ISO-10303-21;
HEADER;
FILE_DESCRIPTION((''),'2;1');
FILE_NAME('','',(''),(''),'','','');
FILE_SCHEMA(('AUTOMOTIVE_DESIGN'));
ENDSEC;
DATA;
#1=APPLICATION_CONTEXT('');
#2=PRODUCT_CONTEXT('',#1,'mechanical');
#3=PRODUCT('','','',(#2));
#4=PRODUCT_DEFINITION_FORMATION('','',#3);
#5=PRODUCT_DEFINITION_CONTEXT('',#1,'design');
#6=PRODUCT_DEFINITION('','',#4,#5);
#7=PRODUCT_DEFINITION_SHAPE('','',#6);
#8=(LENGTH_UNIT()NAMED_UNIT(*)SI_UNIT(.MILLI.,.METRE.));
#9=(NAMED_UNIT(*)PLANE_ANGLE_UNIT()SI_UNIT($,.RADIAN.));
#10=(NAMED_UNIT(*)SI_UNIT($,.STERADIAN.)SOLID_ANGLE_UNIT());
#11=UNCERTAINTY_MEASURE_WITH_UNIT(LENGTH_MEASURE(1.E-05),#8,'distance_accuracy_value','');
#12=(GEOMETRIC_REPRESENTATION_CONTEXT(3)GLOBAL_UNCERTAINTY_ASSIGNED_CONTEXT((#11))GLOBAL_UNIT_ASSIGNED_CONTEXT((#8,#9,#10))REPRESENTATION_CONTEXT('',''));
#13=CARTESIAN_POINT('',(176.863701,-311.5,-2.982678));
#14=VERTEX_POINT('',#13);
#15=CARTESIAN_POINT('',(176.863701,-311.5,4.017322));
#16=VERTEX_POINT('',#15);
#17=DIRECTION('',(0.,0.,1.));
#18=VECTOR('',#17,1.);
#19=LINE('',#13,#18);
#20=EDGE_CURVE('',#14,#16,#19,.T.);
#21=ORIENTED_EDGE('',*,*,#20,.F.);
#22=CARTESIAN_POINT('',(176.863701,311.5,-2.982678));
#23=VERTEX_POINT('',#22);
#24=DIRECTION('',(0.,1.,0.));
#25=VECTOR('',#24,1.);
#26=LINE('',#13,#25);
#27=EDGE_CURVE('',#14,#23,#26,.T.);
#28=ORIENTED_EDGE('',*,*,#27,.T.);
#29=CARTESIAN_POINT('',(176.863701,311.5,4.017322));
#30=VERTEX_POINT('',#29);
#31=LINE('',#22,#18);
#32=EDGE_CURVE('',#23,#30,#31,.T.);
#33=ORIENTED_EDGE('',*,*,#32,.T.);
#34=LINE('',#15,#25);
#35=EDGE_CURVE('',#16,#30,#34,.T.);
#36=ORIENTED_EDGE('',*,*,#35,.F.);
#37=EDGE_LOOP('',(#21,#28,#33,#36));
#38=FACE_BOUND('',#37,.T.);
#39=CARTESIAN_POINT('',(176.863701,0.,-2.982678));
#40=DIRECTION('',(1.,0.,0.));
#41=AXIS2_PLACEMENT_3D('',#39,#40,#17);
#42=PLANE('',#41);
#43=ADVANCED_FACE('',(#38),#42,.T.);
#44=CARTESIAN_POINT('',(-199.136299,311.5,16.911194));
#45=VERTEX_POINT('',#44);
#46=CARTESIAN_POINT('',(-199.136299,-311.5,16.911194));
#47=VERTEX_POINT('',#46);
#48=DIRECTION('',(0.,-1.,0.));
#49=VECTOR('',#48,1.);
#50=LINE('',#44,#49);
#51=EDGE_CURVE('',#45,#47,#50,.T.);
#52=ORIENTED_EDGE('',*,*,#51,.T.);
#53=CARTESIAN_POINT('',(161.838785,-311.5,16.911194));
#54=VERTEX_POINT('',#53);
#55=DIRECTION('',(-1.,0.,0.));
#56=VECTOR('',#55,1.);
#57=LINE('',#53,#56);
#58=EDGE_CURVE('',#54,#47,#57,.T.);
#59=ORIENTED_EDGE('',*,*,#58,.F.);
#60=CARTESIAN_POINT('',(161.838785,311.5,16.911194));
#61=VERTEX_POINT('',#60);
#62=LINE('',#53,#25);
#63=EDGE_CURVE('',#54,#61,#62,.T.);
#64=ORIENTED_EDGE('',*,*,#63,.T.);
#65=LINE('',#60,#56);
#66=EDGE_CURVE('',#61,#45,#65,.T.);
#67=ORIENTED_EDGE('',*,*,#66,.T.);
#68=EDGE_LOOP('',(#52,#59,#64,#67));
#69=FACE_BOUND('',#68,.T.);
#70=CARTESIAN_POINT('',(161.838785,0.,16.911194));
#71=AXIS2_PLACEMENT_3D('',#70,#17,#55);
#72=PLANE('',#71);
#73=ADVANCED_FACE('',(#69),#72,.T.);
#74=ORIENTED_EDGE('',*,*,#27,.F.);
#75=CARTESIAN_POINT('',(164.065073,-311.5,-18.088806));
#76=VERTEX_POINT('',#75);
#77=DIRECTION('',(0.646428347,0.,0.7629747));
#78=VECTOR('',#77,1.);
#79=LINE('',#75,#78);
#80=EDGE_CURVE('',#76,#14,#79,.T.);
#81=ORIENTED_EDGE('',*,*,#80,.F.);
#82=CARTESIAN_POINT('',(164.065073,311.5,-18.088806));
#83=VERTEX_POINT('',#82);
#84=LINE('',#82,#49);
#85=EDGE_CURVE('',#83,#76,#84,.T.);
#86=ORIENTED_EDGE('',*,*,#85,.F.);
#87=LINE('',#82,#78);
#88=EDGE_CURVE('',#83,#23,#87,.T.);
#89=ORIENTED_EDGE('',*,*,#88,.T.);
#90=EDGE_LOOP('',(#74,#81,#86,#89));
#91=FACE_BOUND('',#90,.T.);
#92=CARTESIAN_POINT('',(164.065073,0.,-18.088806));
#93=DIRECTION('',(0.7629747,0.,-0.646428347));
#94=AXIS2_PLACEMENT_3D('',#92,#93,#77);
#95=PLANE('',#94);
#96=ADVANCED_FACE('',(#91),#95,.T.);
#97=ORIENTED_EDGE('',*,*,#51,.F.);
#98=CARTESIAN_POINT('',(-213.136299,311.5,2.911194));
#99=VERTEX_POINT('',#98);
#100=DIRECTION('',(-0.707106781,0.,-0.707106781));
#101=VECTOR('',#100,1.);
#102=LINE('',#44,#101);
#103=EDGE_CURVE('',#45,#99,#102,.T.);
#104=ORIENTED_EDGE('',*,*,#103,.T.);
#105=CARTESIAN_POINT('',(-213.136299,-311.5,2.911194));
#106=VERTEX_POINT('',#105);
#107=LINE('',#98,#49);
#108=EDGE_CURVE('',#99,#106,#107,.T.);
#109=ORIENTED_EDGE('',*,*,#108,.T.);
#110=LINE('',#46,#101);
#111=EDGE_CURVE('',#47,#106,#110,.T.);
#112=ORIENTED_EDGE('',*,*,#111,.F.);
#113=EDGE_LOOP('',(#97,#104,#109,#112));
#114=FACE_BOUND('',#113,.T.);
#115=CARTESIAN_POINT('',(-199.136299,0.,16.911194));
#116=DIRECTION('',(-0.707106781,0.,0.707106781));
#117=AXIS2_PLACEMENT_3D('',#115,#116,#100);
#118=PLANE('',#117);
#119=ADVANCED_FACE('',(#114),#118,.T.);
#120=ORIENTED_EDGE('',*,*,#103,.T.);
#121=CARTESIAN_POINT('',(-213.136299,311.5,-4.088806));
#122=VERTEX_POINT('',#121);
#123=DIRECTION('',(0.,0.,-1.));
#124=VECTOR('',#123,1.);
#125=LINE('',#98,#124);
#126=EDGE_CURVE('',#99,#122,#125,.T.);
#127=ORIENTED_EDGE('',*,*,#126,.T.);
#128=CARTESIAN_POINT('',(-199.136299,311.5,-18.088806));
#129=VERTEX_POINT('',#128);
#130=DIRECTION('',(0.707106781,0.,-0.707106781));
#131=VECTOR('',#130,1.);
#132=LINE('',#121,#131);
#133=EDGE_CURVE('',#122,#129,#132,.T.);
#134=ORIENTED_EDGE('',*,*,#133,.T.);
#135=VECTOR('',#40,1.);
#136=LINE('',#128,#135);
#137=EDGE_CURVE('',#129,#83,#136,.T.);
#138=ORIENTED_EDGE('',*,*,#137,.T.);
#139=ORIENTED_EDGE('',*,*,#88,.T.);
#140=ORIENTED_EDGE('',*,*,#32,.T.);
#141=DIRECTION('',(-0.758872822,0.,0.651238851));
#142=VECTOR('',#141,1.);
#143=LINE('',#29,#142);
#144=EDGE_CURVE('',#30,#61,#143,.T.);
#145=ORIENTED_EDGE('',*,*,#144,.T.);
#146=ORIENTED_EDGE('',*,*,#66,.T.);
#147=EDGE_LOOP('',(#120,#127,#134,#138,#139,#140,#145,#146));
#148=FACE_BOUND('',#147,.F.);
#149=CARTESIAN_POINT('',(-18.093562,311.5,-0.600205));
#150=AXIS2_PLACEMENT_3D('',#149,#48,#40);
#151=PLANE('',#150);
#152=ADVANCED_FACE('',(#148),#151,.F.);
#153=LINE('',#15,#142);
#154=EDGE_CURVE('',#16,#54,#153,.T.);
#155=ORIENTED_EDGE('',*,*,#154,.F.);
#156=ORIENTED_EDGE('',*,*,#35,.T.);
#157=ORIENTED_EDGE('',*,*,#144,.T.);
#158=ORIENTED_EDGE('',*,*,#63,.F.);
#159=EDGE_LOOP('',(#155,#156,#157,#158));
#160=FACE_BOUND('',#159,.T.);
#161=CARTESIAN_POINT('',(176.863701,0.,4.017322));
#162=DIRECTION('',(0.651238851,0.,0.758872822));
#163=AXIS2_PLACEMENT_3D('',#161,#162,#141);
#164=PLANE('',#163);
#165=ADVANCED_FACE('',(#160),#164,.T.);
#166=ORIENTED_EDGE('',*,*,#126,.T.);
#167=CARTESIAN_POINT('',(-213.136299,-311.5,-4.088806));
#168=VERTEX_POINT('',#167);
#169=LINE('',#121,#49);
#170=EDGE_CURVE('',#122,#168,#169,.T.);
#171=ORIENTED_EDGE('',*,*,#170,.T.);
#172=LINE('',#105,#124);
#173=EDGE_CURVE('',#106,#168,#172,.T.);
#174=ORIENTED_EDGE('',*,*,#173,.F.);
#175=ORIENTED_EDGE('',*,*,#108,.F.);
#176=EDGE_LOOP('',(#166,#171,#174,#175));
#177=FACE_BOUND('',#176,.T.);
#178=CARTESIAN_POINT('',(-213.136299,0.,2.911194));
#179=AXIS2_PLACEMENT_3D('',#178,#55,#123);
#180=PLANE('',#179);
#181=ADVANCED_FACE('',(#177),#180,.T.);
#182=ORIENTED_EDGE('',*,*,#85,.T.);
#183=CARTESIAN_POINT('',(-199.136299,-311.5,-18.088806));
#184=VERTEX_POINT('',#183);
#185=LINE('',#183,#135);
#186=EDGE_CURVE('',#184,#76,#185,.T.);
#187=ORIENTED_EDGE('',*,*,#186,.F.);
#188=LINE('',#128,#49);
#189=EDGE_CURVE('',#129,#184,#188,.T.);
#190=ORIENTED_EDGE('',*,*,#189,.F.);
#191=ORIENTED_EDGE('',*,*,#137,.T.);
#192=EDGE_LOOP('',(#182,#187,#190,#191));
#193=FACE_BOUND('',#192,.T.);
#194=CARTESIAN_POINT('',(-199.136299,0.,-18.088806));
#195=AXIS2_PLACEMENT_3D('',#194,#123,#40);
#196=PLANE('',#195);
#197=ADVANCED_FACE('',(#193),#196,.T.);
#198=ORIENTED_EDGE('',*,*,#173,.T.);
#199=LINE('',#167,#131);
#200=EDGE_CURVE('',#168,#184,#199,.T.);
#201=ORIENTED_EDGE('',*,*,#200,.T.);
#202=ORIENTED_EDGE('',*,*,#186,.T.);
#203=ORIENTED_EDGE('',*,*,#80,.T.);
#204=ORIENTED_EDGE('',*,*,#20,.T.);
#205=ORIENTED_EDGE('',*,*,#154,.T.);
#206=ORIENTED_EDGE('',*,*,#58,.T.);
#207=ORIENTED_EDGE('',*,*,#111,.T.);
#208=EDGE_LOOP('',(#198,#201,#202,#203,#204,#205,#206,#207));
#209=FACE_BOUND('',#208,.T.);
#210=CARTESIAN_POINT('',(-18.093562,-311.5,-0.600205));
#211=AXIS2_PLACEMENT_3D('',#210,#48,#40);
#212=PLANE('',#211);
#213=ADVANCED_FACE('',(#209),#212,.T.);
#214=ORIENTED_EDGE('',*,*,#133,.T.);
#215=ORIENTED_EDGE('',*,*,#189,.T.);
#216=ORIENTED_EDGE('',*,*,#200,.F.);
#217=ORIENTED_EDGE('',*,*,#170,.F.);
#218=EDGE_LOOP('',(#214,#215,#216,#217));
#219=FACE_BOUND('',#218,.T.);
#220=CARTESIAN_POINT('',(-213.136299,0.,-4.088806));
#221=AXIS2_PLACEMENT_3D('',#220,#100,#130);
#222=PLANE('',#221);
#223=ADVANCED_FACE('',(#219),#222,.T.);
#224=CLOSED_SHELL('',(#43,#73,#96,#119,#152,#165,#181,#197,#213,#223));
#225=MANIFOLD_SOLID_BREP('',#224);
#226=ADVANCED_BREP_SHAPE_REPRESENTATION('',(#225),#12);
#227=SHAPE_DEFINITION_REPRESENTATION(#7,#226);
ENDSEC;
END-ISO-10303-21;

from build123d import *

# Parameters (mm, degrees)
F1_DEPTH      = 311.5
F1_DEPTH_BACK = 311.5


with BuildPart() as f1:
    # F0 (on Front) → F1 (new body, two sides)
    with BuildSketch(Plane.XZ) as f1_sk:
        Polygon((161.838785, 16.911194), (-199.136299, 16.911194), (-213.136299, 2.911194), (-213.136299, -4.088806), (-199.136299, -18.088806), (164.065073, -18.088806), (176.863701, -2.982678), (176.863701, 4.017322), align=None)
    extrude(amount=F1_DEPTH)
    extrude(f1_sk.sketch, amount=-F1_DEPTH_BACK)


solid = f1.part
